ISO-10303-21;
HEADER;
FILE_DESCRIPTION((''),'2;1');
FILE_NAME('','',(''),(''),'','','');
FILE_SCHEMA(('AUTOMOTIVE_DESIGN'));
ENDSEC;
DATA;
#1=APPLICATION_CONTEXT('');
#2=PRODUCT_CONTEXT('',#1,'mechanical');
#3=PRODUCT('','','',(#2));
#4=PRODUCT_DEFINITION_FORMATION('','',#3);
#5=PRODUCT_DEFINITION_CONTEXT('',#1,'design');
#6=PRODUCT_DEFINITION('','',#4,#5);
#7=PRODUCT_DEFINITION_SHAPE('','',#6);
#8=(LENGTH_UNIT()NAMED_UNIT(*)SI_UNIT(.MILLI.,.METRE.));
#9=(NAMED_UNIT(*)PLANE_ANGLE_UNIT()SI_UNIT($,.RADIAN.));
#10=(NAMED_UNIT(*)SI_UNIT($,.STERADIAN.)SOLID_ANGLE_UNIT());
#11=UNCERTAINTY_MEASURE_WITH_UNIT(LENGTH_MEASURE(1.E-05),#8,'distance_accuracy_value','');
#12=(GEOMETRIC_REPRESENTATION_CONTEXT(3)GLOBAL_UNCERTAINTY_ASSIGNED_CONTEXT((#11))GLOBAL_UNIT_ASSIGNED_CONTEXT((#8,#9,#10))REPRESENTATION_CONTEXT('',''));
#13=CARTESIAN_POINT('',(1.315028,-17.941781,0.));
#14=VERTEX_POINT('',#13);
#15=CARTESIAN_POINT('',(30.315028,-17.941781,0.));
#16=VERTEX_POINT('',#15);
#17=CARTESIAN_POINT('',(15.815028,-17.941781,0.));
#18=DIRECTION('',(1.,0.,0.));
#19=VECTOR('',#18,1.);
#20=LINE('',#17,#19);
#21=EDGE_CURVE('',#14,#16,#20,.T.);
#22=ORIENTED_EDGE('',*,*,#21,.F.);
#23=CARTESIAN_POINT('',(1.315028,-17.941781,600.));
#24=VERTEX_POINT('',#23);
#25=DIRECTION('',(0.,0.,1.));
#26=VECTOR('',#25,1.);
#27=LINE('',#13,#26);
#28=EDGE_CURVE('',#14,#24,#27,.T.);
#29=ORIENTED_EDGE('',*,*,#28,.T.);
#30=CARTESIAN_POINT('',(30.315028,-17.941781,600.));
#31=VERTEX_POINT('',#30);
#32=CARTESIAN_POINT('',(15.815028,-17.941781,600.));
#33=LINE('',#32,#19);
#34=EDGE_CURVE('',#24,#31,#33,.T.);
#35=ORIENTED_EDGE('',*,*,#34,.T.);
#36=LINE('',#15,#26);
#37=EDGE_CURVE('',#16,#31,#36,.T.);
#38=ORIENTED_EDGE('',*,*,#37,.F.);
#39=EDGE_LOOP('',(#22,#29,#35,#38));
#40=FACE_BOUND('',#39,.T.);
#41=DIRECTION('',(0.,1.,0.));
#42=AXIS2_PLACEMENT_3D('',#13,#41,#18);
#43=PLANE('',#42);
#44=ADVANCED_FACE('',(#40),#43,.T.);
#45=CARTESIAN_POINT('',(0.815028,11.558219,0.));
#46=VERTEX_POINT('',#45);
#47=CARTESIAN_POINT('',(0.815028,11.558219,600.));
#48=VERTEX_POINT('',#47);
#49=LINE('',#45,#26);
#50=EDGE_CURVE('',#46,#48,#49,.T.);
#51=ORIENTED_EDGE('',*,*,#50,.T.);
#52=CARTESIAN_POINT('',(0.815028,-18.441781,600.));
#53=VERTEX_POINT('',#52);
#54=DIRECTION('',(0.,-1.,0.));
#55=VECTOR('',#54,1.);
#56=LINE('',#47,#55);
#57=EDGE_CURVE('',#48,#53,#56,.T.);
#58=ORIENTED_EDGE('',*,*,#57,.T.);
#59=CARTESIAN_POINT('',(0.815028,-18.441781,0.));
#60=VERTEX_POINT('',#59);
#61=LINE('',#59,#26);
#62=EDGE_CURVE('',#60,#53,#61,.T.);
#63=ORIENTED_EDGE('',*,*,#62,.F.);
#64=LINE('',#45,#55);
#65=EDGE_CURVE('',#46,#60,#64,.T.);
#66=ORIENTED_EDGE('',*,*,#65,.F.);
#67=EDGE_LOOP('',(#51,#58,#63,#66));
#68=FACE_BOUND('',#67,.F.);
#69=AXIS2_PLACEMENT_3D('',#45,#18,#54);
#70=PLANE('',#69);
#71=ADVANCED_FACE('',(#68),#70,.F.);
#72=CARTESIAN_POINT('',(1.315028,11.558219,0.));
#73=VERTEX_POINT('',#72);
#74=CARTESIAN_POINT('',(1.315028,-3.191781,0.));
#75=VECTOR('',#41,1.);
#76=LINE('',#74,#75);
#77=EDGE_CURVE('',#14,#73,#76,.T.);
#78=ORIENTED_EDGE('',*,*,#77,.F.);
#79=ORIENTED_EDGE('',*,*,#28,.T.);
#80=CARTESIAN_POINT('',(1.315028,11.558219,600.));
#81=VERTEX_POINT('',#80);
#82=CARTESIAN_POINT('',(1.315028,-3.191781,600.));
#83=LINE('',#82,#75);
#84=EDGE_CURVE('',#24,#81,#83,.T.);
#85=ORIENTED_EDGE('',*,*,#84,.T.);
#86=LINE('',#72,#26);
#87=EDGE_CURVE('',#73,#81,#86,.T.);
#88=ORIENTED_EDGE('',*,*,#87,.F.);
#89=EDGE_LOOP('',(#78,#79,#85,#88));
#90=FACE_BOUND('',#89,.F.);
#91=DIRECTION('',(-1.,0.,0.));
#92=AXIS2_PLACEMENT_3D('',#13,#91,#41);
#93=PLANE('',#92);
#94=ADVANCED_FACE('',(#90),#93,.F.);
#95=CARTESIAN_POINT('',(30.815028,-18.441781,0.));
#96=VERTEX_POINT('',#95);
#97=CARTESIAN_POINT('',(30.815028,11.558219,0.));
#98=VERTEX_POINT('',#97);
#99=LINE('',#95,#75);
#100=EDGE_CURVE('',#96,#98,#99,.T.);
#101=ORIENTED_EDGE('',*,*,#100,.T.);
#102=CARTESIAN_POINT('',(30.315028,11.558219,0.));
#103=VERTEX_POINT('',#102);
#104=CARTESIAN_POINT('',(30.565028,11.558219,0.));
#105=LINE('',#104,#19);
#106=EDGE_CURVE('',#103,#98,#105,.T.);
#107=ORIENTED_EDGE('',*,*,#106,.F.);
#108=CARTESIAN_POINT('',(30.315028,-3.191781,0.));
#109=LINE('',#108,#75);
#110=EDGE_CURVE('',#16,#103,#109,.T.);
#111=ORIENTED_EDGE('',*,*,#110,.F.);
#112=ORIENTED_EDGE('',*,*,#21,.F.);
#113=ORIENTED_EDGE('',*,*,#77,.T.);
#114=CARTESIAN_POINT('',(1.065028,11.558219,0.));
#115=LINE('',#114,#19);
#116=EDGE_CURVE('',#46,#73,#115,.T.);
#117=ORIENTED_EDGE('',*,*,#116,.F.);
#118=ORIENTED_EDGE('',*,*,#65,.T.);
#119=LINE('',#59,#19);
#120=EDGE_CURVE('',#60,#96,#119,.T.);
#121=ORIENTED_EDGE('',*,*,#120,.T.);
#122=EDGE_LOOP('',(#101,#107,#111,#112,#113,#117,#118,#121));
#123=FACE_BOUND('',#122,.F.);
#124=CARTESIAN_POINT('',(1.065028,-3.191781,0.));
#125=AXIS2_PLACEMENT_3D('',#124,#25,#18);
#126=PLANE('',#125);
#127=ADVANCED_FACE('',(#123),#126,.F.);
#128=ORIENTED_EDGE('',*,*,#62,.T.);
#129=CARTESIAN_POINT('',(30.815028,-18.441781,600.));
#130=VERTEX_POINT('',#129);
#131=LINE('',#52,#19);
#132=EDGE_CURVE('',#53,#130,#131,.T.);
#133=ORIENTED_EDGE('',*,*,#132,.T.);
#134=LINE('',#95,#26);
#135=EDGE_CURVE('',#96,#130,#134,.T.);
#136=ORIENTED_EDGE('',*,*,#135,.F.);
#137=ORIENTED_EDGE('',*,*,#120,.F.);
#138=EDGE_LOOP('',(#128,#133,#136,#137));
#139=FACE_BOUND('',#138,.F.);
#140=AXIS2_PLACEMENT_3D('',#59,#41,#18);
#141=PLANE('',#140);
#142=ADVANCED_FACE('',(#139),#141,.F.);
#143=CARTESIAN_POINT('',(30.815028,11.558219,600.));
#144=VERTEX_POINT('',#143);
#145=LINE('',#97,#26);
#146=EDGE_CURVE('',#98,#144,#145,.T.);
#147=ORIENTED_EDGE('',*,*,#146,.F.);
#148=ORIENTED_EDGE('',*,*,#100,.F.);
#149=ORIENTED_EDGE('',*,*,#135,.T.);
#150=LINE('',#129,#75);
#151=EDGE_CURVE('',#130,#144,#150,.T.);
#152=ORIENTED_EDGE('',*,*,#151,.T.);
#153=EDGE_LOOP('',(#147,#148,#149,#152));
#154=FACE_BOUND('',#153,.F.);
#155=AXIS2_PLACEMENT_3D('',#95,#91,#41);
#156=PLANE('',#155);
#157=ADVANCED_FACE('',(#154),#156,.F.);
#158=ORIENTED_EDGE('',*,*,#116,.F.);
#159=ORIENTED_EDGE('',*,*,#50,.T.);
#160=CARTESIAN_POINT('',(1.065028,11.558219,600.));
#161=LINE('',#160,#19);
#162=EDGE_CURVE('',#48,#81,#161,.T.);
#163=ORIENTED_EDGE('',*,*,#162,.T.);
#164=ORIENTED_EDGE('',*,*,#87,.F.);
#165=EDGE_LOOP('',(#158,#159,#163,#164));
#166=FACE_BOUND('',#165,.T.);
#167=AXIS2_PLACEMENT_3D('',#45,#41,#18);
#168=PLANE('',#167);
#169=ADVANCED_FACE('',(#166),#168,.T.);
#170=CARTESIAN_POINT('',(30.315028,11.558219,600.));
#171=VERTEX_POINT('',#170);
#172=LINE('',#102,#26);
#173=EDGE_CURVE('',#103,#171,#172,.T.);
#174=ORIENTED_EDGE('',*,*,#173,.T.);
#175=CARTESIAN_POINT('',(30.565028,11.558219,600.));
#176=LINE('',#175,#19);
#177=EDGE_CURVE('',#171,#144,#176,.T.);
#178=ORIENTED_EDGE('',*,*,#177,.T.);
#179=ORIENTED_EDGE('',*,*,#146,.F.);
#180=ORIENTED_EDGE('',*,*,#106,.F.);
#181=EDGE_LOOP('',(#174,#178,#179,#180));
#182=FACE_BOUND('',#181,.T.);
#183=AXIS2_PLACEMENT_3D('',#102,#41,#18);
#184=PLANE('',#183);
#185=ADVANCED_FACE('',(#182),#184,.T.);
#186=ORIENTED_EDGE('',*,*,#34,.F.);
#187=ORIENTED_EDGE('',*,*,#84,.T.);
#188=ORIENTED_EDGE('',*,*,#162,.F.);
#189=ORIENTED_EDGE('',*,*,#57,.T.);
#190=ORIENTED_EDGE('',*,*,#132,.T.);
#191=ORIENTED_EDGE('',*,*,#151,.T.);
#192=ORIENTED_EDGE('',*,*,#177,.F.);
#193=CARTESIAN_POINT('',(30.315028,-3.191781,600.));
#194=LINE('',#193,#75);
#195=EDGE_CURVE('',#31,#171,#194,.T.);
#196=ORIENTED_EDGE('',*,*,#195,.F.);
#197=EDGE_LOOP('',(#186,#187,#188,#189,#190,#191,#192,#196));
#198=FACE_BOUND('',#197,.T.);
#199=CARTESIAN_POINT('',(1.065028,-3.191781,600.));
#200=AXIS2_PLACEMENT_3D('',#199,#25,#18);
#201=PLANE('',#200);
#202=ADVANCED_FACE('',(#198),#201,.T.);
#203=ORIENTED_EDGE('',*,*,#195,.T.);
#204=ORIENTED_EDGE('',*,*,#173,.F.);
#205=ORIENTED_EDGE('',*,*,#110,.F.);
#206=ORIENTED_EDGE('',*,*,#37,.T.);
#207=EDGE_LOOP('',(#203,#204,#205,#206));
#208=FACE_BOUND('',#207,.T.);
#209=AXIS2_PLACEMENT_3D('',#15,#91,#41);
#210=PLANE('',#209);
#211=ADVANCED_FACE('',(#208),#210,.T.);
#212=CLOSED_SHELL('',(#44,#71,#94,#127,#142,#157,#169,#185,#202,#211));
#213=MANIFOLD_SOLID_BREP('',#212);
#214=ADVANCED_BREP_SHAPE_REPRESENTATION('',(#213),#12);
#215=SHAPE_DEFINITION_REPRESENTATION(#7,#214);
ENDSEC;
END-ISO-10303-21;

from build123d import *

# Parameters (mm, degrees)
F0_W     = 0.5
F0_H     = 29.5
F0_W_2   = 29
F0_H_2   = 0.5
F1_DEPTH = 600


with BuildPart() as f1:
    # F0 (on Top) → F1 (new body)
    with BuildSketch(Plane.XY):
        with Locations((1.0650282837, -3.191780895)):
            Rectangle(F0_W, F0_H)
        with Locations((15.8150282837, -18.191780895)):
            Rectangle(F0_W_2, F0_H_2)
        with Locations((30.5650282837, -3.191780895)):
            Rectangle(F0_W, F0_H)
        with Locations((30.5650282837, -18.191780895)):
            Rectangle(F0_W, F0_H_2)
        with Locations((1.0650282837, -18.191780895)):
            Rectangle(F0_W, F0_H_2)
    extrude(amount=F1_DEPTH)


solid = f1.part
